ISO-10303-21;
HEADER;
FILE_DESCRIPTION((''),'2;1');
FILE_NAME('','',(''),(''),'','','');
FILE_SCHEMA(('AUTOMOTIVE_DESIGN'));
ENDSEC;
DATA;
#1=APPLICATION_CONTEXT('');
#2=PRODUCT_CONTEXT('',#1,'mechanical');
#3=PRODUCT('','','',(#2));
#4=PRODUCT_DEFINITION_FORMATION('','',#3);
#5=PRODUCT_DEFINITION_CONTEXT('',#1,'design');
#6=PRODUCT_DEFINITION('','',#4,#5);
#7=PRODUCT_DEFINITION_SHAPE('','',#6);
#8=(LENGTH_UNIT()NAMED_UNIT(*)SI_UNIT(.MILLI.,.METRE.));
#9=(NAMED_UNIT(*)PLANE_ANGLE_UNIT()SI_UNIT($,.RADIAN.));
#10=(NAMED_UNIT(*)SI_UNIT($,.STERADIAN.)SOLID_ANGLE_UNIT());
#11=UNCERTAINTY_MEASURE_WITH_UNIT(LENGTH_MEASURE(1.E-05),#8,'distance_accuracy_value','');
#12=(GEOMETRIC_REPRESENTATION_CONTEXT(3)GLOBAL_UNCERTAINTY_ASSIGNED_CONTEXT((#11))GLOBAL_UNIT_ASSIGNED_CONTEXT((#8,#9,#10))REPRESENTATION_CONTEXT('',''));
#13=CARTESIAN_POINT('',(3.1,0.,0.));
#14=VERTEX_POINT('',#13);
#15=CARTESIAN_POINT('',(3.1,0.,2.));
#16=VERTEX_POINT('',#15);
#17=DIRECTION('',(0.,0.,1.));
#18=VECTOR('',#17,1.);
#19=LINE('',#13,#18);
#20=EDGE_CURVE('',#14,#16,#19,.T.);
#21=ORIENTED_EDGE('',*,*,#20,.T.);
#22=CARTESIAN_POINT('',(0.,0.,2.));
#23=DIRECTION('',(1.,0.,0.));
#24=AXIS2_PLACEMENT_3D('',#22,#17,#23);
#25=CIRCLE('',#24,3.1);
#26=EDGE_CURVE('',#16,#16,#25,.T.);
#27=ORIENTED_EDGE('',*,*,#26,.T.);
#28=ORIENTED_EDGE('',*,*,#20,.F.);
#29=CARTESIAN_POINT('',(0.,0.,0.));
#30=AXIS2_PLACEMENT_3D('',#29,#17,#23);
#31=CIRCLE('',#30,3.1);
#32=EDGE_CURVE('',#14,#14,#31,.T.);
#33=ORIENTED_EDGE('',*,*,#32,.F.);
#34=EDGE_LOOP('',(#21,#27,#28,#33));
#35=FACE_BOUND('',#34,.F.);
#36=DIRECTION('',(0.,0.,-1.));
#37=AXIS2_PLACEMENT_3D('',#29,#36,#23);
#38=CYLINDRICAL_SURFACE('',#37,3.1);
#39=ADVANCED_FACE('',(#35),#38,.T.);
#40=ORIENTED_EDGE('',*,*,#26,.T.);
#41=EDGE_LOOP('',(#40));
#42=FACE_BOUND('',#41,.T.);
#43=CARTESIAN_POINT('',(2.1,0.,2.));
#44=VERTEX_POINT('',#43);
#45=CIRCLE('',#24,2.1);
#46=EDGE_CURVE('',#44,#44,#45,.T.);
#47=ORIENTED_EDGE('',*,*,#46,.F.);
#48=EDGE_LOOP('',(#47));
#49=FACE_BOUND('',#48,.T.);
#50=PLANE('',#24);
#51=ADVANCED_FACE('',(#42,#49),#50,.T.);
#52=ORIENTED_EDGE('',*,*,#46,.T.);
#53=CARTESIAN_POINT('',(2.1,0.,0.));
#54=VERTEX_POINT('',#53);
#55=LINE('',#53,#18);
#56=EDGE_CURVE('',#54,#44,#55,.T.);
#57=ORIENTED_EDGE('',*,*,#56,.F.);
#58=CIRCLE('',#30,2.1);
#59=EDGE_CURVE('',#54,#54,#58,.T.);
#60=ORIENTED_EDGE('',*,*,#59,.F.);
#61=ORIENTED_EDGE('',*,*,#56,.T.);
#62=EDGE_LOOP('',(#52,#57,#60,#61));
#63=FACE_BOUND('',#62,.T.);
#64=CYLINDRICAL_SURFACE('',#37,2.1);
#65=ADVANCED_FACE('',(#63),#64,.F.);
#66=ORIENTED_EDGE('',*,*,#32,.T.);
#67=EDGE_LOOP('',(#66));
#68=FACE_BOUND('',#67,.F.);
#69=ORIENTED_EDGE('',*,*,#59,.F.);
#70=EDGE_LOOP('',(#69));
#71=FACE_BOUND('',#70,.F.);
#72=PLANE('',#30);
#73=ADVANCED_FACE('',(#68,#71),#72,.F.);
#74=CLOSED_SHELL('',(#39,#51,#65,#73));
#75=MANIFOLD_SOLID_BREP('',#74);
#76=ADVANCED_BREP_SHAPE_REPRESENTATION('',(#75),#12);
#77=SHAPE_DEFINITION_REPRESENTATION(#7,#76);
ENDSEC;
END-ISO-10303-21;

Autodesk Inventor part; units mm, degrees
ref_plane "YZ Plane" through (0, 0, 0) normal (1, 0, 0) x (0, 1, 0)
ref_plane "XZ Plane" through (0, 0, 0) normal (0, 1, 0) x (-1, 0, 0)
ref_plane "XY Plane" through (0, 0, 0) normal (0, 0, 1) x (1, 0, 0)
sketch "Skizze1" plane through (0, 0, 0) normal (0, 0, 1) x (1, 0, 0)
  circle A0 centre (0, 0) radius 2.1
  circle A1 centre (0, 0) radius 3.1
  dimension "d0" = 4.2
  dimension "d1" = 1
extrude "Extrusion1" add sketch "Skizze1" along normal blind 2
properties part number "ExcenterBush"
